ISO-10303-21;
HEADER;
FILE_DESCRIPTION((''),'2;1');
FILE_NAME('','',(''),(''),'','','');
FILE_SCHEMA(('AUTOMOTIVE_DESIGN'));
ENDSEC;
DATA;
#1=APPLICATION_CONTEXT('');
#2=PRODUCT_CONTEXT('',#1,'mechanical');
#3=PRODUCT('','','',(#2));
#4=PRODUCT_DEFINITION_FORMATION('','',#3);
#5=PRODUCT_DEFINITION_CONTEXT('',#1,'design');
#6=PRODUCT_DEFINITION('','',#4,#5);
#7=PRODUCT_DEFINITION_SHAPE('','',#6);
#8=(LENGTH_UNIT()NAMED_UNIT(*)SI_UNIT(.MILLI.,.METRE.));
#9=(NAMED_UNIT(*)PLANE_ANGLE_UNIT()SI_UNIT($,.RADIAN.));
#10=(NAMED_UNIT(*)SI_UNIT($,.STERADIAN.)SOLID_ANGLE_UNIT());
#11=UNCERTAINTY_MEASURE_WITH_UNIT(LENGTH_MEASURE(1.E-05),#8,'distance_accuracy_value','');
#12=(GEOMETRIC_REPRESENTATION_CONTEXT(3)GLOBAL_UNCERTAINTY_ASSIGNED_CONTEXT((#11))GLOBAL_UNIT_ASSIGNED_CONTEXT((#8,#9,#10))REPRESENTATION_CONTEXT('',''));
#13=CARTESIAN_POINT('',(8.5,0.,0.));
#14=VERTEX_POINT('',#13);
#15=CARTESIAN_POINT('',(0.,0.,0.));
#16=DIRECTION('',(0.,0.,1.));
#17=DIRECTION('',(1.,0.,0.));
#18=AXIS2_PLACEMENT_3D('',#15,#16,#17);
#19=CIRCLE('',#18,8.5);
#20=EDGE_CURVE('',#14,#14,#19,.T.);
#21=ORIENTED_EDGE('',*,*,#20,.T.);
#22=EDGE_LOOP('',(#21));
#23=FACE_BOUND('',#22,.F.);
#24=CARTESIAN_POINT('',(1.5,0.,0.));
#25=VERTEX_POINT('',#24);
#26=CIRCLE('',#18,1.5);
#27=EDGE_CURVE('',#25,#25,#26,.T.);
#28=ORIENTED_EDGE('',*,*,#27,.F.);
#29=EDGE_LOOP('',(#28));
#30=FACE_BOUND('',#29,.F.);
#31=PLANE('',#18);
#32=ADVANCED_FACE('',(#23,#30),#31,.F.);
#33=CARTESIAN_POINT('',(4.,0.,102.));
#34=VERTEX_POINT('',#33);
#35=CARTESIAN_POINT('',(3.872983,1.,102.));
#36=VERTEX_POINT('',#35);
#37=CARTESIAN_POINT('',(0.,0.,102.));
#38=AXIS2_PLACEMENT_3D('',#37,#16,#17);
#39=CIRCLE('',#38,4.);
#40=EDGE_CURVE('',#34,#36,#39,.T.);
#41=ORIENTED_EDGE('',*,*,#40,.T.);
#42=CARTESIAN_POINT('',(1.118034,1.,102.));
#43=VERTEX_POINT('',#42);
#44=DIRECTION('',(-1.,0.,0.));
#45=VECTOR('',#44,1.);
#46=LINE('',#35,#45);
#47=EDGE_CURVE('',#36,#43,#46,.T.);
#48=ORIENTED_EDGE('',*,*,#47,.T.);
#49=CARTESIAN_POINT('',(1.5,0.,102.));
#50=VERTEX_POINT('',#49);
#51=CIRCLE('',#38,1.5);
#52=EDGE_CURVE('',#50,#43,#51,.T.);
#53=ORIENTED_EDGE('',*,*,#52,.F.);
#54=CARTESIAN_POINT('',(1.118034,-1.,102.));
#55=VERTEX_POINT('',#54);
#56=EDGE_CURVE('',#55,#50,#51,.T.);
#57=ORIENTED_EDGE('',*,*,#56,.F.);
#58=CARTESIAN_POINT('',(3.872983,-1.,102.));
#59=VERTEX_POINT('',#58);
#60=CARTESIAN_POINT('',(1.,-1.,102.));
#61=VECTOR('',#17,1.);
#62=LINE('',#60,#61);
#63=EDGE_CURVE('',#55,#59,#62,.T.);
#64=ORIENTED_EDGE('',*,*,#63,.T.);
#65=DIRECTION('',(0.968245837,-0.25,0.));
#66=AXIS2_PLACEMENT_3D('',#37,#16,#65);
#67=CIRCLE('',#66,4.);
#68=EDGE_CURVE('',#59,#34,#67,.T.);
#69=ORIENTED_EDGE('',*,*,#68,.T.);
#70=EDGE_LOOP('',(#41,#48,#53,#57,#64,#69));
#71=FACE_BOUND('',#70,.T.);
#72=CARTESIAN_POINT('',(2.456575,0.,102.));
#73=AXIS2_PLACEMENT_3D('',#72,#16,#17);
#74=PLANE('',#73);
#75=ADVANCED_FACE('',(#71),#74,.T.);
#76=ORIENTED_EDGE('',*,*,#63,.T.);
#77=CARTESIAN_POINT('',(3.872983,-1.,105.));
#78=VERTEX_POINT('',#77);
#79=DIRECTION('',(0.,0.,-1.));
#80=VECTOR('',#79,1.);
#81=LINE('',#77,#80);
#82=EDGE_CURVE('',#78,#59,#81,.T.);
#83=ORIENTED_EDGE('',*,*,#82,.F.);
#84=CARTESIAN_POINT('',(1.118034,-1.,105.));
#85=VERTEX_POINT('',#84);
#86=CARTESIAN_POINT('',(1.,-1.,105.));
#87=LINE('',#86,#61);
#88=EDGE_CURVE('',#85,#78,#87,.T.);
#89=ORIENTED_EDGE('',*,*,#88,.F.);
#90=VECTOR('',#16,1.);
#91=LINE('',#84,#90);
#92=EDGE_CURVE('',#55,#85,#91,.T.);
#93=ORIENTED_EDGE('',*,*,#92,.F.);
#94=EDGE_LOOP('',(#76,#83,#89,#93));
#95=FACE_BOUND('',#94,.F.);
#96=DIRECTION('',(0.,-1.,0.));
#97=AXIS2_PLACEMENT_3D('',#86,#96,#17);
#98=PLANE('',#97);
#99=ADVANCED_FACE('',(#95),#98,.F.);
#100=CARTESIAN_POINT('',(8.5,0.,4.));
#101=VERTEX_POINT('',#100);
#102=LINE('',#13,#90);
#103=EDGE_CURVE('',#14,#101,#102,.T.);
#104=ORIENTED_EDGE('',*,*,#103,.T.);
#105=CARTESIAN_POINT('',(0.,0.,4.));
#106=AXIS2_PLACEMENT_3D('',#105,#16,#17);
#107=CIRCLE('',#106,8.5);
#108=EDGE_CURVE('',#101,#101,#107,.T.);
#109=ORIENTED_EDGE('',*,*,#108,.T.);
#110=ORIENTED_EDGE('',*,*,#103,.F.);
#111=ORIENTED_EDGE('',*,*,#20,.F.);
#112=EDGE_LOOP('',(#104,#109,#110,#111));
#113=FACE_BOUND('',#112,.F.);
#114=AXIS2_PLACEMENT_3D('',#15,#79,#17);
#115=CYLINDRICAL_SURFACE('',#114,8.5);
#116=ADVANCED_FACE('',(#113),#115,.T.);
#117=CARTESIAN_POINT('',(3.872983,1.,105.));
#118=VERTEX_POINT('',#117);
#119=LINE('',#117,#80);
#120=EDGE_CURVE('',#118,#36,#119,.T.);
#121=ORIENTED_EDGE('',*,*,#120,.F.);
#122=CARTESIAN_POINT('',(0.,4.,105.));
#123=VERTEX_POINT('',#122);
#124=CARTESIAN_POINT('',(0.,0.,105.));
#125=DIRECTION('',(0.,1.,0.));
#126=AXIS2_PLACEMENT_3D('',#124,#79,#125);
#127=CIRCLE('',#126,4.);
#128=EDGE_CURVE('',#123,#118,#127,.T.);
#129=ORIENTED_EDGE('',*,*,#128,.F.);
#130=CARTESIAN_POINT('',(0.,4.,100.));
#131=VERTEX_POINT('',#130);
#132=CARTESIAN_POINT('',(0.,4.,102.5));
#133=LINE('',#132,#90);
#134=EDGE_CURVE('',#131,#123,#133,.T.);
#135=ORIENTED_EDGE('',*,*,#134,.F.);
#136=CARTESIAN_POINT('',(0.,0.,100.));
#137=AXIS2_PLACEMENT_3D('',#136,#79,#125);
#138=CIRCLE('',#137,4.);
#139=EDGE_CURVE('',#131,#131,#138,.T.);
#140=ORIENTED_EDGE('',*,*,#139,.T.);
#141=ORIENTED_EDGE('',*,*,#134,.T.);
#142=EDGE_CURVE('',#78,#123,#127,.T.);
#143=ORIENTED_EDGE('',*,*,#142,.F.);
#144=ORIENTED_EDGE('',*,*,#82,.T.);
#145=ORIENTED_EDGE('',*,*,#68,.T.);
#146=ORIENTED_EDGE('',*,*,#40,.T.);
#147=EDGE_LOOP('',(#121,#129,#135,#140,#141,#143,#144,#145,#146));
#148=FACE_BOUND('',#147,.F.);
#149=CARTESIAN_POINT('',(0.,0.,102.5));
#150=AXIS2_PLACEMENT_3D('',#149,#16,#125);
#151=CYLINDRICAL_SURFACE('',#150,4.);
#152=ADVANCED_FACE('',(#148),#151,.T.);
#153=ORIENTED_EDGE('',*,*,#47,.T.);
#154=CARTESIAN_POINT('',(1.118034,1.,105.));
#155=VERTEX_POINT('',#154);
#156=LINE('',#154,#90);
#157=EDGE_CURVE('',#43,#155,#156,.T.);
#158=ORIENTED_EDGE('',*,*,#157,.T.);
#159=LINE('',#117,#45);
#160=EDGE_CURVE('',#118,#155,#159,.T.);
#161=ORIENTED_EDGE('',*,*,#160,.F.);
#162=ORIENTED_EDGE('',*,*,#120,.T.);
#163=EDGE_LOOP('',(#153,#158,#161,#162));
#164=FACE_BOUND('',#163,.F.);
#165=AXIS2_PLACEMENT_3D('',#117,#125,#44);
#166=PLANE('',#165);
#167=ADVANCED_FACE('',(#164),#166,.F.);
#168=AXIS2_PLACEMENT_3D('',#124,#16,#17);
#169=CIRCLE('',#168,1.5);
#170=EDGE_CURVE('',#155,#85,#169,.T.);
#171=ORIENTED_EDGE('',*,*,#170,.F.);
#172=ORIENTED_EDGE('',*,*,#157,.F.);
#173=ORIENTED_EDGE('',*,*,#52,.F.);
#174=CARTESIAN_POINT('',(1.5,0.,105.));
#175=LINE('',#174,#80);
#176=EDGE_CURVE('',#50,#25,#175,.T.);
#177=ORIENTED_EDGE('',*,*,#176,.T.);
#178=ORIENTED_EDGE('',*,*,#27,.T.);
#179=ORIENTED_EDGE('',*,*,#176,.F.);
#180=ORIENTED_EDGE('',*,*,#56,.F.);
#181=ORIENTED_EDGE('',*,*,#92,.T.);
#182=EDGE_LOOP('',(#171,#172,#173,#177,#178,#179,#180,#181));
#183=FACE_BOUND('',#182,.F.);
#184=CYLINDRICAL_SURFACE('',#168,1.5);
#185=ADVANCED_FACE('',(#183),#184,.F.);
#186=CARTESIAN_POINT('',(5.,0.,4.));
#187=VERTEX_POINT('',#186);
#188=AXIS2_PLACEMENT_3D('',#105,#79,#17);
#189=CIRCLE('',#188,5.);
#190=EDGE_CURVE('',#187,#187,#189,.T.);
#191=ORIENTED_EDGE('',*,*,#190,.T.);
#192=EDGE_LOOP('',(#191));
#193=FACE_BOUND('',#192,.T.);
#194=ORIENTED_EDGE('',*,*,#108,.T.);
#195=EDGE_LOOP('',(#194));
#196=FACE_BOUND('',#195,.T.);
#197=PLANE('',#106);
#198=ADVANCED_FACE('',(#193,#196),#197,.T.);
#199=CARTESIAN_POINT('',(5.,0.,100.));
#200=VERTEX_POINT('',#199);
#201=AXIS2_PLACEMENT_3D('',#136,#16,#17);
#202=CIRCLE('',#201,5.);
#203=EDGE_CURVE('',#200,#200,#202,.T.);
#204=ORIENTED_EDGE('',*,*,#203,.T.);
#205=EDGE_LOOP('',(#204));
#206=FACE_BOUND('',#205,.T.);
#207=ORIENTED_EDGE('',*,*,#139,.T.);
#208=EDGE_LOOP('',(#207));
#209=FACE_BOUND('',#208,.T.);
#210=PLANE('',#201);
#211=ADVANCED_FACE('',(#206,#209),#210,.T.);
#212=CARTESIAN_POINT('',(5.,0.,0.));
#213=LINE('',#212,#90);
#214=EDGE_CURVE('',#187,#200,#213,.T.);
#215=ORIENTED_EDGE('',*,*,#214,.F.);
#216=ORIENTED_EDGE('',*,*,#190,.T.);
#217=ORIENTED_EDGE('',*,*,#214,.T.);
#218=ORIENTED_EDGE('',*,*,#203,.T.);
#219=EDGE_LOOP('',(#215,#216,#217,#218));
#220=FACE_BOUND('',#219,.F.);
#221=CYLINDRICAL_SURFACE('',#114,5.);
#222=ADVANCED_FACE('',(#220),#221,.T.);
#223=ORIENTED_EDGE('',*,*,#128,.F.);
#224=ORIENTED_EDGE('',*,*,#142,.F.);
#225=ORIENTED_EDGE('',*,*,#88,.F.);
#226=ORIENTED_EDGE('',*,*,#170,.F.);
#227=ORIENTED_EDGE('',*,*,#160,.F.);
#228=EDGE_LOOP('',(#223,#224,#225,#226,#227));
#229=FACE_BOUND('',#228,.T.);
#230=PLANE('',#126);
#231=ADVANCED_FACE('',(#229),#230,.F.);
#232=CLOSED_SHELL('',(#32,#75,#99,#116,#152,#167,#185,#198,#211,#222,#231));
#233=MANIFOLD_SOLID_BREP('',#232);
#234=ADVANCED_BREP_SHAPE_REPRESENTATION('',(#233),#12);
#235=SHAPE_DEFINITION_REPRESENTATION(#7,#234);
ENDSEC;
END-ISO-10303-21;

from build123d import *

# Parameters (mm, degrees)
F0_R      = 8.5
F1_DEPTH  = 4
F3_R      = 5
F4_DEPTH  = 100
F5_W      = 4
F5_H      = 5
F9_DEPTH  = 3
F10_R     = 1.5
F11_DEPTH = 118.9


with BuildPart() as f1:
    # F0 (on Top) → F1 (new body)
    with BuildSketch(Plane.XY):
        Circle(F0_R)
    extrude(amount=F1_DEPTH)

    # F3 (on Top) → F4 (join)
    with BuildSketch(Plane.XY):
        Circle(F3_R)
    extrude(amount=F4_DEPTH)

    # F5 (on Right) → F6 (revolve)
    with BuildSketch(Plane.YZ):
        with Locations((2, 102.5)):
            Rectangle(F5_W, F5_H)
    revolve(axis=Axis((0, 0, 102.5), (0, 0, -1)))

    # F8 (on face) → F9 (cut)
    with BuildSketch(Plane.XY.offset(105)):
        with BuildLine():
            Line((3.8729833462, 1), (1, 1))
            Line((1, 1), (1, -1))
            Line((1, -1), (3.8729833462, -1))
            ThreePointArc((3.8729833462, -1), (3.9681187851, -0.5040171699), (4, 0))
            ThreePointArc((4, 0), (3.9681187851, 0.5040171699), (3.8729833462, 1))
        make_face()
    extrude(amount=-F9_DEPTH, mode=Mode.SUBTRACT)

    # F10 (on face) → F11 (cut)
    with BuildSketch(Plane.XY.offset(105)):
        Circle(F10_R)
    extrude(amount=-F11_DEPTH, mode=Mode.SUBTRACT)


solid = f1.part
